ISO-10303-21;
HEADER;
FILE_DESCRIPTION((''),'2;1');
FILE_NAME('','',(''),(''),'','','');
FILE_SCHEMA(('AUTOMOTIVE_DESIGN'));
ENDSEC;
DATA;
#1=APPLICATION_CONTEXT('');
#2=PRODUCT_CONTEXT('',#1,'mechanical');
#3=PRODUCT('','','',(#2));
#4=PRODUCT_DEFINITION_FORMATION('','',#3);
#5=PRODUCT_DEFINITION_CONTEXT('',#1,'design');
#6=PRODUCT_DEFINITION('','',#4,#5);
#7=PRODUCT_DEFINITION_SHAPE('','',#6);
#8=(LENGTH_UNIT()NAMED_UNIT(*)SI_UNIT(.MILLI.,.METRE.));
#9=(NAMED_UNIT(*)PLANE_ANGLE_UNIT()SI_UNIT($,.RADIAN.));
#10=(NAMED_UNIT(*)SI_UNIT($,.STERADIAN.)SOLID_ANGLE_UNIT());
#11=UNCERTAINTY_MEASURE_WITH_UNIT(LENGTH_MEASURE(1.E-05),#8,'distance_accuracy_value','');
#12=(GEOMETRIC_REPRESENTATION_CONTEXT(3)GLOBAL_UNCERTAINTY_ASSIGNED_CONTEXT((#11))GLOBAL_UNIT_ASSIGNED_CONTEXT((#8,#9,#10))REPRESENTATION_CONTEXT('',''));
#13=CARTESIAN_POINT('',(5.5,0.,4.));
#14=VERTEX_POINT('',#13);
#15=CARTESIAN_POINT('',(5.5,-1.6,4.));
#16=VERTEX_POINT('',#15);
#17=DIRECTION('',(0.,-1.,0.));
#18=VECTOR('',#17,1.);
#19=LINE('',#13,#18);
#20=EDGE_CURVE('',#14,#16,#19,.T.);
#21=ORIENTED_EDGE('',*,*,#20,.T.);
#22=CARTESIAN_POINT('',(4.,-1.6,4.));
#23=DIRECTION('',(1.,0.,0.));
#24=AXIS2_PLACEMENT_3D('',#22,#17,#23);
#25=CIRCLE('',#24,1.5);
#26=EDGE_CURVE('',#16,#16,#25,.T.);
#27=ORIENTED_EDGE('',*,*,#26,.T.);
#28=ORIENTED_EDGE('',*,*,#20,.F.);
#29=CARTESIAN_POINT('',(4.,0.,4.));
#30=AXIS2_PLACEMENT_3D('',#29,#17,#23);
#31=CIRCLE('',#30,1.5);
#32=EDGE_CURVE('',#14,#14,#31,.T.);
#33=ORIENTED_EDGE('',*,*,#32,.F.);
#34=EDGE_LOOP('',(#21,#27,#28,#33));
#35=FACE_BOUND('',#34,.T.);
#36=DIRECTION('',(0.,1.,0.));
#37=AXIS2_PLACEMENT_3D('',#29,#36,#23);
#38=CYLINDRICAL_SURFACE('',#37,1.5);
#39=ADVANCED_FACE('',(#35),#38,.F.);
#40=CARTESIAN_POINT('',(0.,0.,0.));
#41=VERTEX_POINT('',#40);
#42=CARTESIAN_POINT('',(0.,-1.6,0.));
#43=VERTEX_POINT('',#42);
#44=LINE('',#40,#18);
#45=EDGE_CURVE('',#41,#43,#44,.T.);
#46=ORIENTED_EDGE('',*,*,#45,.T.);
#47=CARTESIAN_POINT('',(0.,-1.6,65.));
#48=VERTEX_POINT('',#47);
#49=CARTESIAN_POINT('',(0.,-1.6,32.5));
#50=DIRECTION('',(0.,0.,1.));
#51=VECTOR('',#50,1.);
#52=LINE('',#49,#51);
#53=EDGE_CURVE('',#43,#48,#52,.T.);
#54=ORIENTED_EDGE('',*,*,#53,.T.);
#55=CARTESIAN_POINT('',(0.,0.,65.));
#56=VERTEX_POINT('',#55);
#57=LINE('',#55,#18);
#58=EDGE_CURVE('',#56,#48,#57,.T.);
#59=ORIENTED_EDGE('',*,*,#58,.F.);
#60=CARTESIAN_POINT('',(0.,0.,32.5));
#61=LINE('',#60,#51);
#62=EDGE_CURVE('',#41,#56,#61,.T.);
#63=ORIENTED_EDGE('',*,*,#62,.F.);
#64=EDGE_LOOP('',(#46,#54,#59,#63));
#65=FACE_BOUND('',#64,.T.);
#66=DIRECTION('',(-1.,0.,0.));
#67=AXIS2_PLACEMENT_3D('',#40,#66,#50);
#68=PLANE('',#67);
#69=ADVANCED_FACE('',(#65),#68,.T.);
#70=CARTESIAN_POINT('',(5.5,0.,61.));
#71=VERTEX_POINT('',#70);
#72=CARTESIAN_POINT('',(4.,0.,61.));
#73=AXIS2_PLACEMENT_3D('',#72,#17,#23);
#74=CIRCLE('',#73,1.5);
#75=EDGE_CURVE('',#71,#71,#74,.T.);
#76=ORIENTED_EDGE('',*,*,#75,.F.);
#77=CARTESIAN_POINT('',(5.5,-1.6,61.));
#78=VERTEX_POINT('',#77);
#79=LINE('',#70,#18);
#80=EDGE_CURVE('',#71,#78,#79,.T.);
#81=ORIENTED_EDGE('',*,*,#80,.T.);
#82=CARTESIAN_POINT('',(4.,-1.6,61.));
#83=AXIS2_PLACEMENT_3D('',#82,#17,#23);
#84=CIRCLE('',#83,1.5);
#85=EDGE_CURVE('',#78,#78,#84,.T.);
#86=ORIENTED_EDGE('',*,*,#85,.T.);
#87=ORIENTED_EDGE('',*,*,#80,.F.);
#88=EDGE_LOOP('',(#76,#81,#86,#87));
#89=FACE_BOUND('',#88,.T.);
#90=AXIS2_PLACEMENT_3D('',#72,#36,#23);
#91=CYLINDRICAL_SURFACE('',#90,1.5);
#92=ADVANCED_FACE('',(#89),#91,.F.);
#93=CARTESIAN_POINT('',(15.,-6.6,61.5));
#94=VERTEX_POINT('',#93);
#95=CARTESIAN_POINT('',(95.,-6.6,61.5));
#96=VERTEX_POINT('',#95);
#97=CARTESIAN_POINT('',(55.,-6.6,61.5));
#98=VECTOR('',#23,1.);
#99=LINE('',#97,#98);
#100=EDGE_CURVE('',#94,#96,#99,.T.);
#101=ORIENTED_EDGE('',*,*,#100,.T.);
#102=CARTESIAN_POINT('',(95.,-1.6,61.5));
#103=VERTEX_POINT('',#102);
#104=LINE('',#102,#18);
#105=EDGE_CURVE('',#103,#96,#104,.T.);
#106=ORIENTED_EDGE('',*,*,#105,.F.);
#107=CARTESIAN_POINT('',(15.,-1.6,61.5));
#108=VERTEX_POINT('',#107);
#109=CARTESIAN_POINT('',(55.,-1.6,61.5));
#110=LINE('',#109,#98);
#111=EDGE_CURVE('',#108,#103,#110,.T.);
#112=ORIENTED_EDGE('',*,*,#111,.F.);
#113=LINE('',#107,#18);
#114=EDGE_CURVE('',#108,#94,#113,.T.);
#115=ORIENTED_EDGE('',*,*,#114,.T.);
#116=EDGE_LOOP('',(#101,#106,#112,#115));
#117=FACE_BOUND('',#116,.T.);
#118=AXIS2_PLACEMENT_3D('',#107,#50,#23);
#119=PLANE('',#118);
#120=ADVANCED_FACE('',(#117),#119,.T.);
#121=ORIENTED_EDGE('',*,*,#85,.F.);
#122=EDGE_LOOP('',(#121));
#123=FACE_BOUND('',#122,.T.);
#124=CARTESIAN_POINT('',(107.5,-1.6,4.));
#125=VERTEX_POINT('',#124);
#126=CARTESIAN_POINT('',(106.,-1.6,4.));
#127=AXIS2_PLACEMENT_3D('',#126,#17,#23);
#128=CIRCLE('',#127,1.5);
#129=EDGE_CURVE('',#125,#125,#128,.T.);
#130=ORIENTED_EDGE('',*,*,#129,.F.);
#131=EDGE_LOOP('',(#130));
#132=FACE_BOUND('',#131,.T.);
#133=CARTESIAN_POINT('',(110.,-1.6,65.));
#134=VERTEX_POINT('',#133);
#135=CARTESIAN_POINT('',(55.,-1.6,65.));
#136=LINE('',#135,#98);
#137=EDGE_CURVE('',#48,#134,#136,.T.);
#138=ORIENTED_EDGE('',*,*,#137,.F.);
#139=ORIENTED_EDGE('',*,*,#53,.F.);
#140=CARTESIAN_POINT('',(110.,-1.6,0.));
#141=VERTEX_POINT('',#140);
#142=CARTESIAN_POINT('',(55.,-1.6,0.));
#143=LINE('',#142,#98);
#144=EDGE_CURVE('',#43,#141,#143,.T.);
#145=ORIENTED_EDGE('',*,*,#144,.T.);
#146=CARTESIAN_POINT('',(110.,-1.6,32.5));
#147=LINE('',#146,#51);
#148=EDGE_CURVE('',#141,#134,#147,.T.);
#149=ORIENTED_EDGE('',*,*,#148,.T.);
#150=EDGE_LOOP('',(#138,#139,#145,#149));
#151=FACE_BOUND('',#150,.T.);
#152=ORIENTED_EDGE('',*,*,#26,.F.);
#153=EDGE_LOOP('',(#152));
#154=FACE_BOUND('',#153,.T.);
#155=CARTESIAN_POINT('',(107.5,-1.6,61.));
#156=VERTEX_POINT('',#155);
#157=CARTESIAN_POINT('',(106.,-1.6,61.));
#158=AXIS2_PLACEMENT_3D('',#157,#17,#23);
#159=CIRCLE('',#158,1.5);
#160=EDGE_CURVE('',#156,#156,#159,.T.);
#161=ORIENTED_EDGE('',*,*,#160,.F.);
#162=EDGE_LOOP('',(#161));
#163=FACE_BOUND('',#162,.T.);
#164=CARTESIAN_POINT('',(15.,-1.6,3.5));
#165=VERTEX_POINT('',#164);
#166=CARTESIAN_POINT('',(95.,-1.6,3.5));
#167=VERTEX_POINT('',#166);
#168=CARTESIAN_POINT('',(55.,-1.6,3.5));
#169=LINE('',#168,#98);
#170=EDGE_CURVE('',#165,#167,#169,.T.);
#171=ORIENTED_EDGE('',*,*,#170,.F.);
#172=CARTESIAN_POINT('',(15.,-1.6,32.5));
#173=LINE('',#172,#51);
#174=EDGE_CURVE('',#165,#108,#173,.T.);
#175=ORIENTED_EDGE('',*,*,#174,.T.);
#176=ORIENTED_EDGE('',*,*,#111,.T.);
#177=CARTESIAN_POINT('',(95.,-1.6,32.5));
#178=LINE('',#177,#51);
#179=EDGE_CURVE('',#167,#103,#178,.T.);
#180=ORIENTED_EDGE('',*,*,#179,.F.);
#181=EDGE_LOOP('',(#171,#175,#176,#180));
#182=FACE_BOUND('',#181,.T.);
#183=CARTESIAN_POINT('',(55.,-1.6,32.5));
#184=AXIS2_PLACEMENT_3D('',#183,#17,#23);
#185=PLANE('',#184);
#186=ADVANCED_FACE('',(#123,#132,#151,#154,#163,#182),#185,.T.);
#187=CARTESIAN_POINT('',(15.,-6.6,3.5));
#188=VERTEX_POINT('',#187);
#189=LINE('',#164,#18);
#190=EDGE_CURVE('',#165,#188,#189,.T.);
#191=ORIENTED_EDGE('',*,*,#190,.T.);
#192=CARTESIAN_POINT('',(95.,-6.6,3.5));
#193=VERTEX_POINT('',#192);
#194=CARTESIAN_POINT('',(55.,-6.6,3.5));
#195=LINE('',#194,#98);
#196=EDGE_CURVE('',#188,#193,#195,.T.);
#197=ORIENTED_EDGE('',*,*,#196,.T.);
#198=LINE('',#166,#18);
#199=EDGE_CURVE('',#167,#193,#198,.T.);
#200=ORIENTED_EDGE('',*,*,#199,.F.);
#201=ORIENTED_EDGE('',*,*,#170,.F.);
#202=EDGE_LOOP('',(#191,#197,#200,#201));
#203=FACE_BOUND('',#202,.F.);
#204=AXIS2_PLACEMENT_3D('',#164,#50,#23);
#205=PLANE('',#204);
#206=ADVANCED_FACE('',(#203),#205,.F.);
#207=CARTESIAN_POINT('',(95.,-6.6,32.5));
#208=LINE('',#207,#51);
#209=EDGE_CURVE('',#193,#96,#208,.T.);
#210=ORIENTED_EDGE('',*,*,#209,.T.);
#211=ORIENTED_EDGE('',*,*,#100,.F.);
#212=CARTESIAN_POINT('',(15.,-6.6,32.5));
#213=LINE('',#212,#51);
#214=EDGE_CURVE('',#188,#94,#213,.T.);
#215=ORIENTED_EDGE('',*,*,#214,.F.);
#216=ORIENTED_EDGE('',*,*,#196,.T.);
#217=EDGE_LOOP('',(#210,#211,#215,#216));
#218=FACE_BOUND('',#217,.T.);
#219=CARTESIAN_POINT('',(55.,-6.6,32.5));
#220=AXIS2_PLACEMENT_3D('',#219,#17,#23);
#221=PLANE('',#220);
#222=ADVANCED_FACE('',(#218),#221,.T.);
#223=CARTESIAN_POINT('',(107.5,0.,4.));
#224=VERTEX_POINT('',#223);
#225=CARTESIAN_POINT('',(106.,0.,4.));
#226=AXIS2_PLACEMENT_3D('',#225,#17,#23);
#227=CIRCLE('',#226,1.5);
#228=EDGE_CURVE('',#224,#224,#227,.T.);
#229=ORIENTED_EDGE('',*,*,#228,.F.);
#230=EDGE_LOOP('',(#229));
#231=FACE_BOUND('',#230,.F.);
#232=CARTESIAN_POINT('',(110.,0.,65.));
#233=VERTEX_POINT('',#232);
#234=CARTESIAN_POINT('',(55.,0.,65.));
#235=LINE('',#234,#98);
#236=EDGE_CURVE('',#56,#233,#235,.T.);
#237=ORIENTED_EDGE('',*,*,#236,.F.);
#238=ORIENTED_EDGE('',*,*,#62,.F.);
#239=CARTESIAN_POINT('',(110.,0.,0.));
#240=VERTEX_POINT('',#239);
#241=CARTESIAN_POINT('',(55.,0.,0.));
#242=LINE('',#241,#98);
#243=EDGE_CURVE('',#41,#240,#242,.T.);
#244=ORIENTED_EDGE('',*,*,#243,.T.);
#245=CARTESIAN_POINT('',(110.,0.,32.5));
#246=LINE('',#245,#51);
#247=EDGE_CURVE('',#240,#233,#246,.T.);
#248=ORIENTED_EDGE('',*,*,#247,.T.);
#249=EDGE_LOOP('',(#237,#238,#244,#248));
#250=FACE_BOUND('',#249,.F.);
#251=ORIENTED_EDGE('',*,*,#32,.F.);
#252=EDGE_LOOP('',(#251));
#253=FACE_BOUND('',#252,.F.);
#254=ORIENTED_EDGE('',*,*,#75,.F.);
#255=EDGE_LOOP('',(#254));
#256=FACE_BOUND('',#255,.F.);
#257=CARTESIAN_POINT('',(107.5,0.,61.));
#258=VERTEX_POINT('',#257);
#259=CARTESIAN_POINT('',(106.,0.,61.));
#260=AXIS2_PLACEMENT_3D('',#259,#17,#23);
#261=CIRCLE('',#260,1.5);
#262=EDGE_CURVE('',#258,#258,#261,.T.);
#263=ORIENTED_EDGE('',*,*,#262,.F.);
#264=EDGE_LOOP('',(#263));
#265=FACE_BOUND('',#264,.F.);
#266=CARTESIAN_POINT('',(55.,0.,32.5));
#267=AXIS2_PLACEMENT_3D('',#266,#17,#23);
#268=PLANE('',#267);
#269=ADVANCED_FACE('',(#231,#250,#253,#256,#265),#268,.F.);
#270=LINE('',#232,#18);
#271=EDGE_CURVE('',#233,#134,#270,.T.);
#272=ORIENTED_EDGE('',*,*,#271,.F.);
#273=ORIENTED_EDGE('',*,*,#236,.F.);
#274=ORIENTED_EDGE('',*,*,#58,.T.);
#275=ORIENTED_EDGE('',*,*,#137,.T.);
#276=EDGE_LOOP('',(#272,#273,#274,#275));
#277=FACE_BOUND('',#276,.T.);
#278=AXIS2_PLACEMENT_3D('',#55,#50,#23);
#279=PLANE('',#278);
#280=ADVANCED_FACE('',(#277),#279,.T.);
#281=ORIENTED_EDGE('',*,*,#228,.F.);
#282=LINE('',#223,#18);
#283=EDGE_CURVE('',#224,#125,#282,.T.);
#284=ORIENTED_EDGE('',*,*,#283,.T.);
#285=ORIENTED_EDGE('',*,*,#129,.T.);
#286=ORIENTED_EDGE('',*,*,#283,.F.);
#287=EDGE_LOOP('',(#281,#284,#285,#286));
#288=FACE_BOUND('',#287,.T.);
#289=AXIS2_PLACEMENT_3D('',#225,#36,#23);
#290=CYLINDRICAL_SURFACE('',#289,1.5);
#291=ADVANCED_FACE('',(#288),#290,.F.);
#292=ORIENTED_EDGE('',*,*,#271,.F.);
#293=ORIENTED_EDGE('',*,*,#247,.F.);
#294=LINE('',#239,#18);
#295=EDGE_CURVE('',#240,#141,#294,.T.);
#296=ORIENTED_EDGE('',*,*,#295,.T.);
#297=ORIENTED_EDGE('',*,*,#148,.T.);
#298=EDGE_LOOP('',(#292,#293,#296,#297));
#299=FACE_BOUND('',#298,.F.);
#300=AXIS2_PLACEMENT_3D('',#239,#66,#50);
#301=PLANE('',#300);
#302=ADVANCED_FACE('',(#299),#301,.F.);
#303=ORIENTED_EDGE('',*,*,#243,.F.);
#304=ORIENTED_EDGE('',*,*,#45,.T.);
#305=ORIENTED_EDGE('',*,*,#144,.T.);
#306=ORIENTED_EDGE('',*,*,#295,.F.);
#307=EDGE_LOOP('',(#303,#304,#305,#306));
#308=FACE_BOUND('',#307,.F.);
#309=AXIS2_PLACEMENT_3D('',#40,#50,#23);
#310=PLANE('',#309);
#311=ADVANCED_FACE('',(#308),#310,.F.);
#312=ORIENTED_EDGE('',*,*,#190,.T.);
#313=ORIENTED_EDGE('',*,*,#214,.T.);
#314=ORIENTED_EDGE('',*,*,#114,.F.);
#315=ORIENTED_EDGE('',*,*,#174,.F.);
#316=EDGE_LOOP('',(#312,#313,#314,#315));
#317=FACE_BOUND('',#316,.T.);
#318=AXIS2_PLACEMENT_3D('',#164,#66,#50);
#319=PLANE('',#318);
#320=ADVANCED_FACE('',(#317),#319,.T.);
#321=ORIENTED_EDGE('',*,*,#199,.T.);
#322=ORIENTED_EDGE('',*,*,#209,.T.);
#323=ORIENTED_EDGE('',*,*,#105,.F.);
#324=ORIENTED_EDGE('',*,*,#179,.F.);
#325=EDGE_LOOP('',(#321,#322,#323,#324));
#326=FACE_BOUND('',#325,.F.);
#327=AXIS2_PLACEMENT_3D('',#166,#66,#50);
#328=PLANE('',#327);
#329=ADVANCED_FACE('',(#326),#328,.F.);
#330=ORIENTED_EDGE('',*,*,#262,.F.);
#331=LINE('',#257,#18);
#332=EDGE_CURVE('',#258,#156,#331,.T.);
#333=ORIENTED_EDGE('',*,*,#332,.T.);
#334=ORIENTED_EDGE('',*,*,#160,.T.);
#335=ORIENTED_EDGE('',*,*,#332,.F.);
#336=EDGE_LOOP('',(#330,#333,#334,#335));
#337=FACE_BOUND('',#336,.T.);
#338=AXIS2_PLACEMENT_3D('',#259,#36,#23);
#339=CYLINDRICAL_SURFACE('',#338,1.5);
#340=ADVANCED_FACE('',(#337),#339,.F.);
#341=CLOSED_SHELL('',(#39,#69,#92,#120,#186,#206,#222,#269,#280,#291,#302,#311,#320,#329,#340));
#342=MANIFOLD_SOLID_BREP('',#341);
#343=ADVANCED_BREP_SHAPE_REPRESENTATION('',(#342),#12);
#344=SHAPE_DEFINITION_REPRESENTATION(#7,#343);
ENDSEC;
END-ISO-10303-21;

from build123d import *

# Parameters (mm, degrees)
F0_W     = 110
F0_H     = 65
F0_R     = 1.5
F1_DEPTH = 1.6
F2_W     = 80
F2_H     = 58
F3_DEPTH = 5


with BuildPart() as f1:
    # F0 (on Front) → F1 (new body)
    with BuildSketch(Plane.XZ):
        with Locations((55, 32.5)):
            Rectangle(F0_W, F0_H)
        with Locations((4, 4)):
            Circle(F0_R, mode=Mode.SUBTRACT)
        with Locations((106, 4)):
            Circle(F0_R, mode=Mode.SUBTRACT)
        with Locations((4, 61)):
            Circle(F0_R, mode=Mode.SUBTRACT)
        with Locations((106, 61)):
            Circle(F0_R, mode=Mode.SUBTRACT)
    extrude(amount=F1_DEPTH)

    # F2 (on face) → F3 (join)
    with BuildSketch(Plane.XZ.offset(1.6)):
        with Locations((55, 32.5)):
            Rectangle(F2_W, F2_H)
    extrude(amount=F3_DEPTH)


solid = f1.part
